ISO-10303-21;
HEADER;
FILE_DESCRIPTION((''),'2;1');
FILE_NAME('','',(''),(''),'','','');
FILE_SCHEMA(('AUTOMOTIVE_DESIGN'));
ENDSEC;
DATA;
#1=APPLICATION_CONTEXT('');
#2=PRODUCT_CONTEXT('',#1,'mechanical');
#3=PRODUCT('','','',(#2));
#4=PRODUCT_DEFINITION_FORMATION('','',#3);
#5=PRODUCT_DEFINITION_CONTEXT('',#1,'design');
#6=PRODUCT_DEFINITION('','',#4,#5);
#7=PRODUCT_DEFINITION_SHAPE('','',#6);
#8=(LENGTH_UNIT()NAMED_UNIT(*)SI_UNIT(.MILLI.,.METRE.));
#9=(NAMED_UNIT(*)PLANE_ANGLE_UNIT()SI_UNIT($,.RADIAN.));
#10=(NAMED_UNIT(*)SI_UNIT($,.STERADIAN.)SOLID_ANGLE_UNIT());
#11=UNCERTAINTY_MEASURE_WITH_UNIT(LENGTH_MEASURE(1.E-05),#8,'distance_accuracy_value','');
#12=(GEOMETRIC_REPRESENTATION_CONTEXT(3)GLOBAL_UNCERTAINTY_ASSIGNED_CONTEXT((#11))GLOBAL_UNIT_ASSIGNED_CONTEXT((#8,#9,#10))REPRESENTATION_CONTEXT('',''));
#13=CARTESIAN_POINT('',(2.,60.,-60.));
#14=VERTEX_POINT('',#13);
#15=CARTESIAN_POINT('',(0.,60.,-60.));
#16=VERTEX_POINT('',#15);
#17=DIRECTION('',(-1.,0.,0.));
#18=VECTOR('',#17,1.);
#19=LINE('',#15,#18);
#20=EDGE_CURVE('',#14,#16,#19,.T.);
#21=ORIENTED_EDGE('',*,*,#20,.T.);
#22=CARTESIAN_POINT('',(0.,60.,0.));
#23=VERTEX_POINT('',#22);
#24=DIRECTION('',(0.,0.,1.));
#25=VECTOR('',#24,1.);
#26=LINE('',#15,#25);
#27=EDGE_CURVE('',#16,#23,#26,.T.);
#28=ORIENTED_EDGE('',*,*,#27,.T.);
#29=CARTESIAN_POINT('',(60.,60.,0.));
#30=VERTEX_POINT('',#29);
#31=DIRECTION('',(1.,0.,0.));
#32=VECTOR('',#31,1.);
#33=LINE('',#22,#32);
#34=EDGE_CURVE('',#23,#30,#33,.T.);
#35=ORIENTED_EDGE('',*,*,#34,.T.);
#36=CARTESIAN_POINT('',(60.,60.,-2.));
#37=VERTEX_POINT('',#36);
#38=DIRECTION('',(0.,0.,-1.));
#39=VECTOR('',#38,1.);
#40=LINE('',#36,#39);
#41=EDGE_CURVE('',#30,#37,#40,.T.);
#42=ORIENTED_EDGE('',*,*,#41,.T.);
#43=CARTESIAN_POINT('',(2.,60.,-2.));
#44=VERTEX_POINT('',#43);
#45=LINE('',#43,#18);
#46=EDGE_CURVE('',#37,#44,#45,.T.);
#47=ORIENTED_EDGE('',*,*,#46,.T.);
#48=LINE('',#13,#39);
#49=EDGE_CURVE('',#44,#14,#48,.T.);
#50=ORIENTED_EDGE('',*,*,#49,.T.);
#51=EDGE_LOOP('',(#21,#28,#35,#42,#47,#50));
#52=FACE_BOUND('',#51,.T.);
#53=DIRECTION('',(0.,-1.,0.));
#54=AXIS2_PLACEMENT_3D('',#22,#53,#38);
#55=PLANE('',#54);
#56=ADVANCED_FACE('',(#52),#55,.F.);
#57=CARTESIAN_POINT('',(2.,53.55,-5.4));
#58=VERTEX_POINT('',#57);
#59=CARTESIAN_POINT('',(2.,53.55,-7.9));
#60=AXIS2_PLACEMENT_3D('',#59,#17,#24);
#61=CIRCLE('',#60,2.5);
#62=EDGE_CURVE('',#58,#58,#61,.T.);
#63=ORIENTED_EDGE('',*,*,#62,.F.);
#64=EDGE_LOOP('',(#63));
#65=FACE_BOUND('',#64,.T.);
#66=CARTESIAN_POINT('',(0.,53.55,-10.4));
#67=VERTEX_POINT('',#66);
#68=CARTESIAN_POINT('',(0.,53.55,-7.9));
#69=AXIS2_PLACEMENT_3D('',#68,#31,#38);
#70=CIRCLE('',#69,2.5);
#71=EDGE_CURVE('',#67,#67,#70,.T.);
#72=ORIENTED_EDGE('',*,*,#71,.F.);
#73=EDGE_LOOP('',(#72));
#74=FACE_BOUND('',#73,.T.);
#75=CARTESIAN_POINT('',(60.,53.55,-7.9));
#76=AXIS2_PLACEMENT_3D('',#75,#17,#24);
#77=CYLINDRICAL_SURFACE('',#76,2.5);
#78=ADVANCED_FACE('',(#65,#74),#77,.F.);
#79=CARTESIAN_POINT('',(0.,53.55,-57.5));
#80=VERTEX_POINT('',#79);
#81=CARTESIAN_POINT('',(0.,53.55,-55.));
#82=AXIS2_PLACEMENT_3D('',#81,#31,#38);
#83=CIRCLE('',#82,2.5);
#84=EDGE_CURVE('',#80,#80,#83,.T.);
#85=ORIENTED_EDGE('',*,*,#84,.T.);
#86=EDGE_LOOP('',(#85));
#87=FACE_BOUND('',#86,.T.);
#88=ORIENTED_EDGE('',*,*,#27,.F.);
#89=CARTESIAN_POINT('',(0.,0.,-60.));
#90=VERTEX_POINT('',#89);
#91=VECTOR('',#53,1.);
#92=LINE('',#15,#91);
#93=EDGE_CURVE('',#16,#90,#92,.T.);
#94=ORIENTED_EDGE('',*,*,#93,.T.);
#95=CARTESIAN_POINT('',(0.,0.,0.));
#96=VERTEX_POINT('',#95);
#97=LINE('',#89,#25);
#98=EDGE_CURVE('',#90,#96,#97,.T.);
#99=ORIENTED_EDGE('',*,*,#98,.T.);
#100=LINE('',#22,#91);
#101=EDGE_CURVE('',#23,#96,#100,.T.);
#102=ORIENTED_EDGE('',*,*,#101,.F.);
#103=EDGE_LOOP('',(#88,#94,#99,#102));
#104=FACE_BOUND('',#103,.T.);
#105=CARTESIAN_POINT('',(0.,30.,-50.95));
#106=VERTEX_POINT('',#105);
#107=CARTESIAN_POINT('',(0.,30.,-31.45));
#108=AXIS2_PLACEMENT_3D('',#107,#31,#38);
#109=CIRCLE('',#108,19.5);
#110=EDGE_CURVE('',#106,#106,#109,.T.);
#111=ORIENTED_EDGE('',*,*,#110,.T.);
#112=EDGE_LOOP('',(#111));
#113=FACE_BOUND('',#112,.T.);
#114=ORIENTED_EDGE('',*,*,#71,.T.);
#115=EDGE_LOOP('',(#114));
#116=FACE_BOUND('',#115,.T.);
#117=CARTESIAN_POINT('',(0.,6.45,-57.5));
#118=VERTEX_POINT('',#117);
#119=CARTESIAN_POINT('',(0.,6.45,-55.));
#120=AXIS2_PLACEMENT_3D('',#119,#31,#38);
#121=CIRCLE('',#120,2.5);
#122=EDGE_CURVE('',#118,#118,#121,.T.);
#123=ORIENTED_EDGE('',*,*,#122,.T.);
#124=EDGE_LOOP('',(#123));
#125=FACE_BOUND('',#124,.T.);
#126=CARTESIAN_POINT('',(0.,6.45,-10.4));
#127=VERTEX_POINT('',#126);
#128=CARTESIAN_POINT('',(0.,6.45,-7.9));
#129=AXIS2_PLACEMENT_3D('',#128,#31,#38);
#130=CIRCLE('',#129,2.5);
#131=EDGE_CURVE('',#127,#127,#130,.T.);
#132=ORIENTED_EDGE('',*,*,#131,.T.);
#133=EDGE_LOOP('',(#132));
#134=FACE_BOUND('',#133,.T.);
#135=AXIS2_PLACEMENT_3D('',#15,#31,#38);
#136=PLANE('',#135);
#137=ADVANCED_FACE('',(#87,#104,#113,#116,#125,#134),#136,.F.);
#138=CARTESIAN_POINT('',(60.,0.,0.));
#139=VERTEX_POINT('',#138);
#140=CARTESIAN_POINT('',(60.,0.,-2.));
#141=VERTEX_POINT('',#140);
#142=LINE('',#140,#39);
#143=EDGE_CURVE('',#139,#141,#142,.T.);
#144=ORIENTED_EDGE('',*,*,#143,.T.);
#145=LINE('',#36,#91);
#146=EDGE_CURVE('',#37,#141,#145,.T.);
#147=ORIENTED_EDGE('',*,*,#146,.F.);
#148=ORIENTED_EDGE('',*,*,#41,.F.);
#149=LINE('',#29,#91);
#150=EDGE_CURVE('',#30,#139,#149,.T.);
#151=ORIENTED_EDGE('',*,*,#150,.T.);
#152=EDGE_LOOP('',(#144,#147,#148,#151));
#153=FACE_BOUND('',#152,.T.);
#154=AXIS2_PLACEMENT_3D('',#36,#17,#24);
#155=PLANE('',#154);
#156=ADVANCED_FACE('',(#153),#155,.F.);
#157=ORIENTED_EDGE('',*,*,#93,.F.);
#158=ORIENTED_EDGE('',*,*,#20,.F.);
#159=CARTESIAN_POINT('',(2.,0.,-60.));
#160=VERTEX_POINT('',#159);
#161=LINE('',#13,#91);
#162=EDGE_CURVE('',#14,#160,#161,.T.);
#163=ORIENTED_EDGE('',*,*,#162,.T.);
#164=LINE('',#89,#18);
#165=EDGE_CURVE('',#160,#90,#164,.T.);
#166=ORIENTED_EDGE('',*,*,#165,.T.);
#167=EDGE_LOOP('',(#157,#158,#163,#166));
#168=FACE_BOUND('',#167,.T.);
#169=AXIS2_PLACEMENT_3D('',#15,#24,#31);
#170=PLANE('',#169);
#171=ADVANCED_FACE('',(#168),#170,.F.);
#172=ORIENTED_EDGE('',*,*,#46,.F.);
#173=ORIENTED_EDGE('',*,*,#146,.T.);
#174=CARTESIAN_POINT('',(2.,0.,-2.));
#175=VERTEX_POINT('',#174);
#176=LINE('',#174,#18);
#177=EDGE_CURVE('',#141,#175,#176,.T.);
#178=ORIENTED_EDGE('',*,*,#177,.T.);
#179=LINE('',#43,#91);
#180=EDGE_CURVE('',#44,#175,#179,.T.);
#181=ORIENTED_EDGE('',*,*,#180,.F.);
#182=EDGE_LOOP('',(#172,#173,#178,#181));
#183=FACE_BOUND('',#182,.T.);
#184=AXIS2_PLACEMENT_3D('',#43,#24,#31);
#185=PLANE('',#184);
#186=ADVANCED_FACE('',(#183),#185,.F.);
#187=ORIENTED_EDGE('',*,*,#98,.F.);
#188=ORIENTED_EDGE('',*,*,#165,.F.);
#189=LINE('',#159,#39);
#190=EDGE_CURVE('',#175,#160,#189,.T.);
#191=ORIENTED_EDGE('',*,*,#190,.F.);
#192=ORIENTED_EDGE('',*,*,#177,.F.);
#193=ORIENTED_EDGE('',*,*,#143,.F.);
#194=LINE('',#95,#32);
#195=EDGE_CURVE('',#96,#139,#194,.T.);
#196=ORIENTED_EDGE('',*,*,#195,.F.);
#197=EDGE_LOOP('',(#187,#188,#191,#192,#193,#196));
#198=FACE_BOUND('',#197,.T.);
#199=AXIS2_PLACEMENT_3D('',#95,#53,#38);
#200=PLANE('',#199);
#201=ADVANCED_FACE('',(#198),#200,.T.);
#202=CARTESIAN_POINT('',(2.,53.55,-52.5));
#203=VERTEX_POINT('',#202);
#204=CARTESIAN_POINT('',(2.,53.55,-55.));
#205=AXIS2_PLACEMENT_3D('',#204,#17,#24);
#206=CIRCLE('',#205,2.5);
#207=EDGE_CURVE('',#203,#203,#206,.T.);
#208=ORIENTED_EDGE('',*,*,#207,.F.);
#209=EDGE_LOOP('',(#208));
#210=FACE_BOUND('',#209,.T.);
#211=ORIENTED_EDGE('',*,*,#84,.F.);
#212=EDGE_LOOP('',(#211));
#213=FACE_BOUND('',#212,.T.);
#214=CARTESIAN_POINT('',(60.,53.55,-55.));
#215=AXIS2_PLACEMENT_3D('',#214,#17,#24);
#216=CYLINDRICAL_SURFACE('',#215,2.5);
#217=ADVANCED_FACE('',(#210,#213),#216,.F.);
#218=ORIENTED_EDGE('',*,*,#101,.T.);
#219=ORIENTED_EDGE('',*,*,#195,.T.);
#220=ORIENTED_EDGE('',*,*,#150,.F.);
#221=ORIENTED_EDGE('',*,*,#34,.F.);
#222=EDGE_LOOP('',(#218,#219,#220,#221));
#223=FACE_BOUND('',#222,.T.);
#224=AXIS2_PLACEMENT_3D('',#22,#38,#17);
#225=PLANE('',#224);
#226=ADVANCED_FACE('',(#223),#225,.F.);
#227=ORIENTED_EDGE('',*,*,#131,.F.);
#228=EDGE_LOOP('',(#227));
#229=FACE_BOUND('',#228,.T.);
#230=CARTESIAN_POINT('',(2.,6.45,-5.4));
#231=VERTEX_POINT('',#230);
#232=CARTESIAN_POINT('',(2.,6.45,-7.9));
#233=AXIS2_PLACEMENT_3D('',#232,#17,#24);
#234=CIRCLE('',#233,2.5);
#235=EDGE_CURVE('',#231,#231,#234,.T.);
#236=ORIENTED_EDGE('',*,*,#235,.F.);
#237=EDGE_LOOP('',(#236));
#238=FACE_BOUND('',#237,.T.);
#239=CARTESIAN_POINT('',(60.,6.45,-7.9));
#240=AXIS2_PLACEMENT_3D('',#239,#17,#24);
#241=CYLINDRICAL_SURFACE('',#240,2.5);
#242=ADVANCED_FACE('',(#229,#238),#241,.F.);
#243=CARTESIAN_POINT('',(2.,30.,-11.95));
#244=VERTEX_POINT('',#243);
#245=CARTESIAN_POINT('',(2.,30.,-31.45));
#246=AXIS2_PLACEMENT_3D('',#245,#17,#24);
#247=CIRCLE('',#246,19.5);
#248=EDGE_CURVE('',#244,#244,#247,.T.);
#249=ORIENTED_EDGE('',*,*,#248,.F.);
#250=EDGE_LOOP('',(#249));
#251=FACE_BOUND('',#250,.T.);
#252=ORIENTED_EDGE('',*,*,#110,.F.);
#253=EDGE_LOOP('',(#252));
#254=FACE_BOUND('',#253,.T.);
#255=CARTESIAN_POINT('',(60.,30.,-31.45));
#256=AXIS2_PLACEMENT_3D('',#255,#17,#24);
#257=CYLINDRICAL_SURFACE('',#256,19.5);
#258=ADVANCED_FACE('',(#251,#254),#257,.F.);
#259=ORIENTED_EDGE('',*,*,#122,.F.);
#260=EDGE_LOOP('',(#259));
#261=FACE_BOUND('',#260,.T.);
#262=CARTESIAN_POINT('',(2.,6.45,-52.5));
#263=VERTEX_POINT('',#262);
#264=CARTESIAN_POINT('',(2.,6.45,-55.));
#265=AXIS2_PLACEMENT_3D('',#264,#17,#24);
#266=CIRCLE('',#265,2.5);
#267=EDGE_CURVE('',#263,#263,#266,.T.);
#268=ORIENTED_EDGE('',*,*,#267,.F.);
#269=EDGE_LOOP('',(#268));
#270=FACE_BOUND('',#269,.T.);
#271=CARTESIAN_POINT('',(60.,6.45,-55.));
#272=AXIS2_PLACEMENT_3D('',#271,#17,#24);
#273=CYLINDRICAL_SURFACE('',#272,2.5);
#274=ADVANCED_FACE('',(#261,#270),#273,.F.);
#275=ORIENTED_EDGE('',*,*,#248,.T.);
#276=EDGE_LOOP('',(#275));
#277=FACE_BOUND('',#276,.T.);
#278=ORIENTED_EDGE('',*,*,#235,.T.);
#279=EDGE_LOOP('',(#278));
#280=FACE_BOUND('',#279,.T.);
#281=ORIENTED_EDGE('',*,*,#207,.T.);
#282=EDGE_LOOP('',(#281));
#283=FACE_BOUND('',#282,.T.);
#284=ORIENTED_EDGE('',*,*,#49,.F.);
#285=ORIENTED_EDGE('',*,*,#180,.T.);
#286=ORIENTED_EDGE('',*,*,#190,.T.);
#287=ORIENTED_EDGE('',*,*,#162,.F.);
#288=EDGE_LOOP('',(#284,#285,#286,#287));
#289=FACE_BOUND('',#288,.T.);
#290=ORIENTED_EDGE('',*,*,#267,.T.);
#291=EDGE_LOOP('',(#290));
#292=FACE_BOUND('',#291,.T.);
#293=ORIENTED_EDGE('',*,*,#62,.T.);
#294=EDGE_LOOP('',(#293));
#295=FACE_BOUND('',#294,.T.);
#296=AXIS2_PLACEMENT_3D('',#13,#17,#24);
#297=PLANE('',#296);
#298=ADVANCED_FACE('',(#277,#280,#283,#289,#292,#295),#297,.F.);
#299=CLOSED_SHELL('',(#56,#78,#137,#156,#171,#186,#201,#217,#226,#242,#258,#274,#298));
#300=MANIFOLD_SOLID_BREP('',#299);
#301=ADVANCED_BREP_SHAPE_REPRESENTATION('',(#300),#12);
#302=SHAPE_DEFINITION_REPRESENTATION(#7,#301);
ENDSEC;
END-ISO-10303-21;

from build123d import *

# Parameters (mm, degrees)
BOSS_EXTRUDE1_DEPTH     = 60
SKETCH2_R               = 2.5
SKETCH2_R_2             = 19.5
CUT_EXTRUDE1_DEPTH      = 1
CUT_EXTRUDE1_DEPTH_BACK = 61


with BuildPart() as part:
    # Sketch1 → Boss-Extrude1 (new body)
    with BuildSketch(Plane(origin=(0, 0, 0), x_dir=(1, 0, 0), z_dir=(0, 1, 0))):
        Polygon((0, 60), (0, 0), (60, 0), (60, 2), (2, 2), (2, 60), align=None)
    extrude(amount=BOSS_EXTRUDE1_DEPTH)

    # Sketch2 → Cut-Extrude1 (cut, two sides)
    with BuildSketch(Plane.ZY) as cut_extrude1_sk:
        with Locations((-55, 53.55)):
            Circle(SKETCH2_R)
        with Locations((-7.9, 53.55)):
            Circle(SKETCH2_R)
        with Locations((-7.9, 6.45)):
            Circle(SKETCH2_R)
        with Locations((-55, 6.45)):
            Circle(SKETCH2_R)
        with Locations((-31.45, 30)):
            Circle(SKETCH2_R_2)
    extrude(amount=CUT_EXTRUDE1_DEPTH, mode=Mode.SUBTRACT)
    extrude(cut_extrude1_sk.sketch, amount=-CUT_EXTRUDE1_DEPTH_BACK, mode=Mode.SUBTRACT)


solid = part.part
